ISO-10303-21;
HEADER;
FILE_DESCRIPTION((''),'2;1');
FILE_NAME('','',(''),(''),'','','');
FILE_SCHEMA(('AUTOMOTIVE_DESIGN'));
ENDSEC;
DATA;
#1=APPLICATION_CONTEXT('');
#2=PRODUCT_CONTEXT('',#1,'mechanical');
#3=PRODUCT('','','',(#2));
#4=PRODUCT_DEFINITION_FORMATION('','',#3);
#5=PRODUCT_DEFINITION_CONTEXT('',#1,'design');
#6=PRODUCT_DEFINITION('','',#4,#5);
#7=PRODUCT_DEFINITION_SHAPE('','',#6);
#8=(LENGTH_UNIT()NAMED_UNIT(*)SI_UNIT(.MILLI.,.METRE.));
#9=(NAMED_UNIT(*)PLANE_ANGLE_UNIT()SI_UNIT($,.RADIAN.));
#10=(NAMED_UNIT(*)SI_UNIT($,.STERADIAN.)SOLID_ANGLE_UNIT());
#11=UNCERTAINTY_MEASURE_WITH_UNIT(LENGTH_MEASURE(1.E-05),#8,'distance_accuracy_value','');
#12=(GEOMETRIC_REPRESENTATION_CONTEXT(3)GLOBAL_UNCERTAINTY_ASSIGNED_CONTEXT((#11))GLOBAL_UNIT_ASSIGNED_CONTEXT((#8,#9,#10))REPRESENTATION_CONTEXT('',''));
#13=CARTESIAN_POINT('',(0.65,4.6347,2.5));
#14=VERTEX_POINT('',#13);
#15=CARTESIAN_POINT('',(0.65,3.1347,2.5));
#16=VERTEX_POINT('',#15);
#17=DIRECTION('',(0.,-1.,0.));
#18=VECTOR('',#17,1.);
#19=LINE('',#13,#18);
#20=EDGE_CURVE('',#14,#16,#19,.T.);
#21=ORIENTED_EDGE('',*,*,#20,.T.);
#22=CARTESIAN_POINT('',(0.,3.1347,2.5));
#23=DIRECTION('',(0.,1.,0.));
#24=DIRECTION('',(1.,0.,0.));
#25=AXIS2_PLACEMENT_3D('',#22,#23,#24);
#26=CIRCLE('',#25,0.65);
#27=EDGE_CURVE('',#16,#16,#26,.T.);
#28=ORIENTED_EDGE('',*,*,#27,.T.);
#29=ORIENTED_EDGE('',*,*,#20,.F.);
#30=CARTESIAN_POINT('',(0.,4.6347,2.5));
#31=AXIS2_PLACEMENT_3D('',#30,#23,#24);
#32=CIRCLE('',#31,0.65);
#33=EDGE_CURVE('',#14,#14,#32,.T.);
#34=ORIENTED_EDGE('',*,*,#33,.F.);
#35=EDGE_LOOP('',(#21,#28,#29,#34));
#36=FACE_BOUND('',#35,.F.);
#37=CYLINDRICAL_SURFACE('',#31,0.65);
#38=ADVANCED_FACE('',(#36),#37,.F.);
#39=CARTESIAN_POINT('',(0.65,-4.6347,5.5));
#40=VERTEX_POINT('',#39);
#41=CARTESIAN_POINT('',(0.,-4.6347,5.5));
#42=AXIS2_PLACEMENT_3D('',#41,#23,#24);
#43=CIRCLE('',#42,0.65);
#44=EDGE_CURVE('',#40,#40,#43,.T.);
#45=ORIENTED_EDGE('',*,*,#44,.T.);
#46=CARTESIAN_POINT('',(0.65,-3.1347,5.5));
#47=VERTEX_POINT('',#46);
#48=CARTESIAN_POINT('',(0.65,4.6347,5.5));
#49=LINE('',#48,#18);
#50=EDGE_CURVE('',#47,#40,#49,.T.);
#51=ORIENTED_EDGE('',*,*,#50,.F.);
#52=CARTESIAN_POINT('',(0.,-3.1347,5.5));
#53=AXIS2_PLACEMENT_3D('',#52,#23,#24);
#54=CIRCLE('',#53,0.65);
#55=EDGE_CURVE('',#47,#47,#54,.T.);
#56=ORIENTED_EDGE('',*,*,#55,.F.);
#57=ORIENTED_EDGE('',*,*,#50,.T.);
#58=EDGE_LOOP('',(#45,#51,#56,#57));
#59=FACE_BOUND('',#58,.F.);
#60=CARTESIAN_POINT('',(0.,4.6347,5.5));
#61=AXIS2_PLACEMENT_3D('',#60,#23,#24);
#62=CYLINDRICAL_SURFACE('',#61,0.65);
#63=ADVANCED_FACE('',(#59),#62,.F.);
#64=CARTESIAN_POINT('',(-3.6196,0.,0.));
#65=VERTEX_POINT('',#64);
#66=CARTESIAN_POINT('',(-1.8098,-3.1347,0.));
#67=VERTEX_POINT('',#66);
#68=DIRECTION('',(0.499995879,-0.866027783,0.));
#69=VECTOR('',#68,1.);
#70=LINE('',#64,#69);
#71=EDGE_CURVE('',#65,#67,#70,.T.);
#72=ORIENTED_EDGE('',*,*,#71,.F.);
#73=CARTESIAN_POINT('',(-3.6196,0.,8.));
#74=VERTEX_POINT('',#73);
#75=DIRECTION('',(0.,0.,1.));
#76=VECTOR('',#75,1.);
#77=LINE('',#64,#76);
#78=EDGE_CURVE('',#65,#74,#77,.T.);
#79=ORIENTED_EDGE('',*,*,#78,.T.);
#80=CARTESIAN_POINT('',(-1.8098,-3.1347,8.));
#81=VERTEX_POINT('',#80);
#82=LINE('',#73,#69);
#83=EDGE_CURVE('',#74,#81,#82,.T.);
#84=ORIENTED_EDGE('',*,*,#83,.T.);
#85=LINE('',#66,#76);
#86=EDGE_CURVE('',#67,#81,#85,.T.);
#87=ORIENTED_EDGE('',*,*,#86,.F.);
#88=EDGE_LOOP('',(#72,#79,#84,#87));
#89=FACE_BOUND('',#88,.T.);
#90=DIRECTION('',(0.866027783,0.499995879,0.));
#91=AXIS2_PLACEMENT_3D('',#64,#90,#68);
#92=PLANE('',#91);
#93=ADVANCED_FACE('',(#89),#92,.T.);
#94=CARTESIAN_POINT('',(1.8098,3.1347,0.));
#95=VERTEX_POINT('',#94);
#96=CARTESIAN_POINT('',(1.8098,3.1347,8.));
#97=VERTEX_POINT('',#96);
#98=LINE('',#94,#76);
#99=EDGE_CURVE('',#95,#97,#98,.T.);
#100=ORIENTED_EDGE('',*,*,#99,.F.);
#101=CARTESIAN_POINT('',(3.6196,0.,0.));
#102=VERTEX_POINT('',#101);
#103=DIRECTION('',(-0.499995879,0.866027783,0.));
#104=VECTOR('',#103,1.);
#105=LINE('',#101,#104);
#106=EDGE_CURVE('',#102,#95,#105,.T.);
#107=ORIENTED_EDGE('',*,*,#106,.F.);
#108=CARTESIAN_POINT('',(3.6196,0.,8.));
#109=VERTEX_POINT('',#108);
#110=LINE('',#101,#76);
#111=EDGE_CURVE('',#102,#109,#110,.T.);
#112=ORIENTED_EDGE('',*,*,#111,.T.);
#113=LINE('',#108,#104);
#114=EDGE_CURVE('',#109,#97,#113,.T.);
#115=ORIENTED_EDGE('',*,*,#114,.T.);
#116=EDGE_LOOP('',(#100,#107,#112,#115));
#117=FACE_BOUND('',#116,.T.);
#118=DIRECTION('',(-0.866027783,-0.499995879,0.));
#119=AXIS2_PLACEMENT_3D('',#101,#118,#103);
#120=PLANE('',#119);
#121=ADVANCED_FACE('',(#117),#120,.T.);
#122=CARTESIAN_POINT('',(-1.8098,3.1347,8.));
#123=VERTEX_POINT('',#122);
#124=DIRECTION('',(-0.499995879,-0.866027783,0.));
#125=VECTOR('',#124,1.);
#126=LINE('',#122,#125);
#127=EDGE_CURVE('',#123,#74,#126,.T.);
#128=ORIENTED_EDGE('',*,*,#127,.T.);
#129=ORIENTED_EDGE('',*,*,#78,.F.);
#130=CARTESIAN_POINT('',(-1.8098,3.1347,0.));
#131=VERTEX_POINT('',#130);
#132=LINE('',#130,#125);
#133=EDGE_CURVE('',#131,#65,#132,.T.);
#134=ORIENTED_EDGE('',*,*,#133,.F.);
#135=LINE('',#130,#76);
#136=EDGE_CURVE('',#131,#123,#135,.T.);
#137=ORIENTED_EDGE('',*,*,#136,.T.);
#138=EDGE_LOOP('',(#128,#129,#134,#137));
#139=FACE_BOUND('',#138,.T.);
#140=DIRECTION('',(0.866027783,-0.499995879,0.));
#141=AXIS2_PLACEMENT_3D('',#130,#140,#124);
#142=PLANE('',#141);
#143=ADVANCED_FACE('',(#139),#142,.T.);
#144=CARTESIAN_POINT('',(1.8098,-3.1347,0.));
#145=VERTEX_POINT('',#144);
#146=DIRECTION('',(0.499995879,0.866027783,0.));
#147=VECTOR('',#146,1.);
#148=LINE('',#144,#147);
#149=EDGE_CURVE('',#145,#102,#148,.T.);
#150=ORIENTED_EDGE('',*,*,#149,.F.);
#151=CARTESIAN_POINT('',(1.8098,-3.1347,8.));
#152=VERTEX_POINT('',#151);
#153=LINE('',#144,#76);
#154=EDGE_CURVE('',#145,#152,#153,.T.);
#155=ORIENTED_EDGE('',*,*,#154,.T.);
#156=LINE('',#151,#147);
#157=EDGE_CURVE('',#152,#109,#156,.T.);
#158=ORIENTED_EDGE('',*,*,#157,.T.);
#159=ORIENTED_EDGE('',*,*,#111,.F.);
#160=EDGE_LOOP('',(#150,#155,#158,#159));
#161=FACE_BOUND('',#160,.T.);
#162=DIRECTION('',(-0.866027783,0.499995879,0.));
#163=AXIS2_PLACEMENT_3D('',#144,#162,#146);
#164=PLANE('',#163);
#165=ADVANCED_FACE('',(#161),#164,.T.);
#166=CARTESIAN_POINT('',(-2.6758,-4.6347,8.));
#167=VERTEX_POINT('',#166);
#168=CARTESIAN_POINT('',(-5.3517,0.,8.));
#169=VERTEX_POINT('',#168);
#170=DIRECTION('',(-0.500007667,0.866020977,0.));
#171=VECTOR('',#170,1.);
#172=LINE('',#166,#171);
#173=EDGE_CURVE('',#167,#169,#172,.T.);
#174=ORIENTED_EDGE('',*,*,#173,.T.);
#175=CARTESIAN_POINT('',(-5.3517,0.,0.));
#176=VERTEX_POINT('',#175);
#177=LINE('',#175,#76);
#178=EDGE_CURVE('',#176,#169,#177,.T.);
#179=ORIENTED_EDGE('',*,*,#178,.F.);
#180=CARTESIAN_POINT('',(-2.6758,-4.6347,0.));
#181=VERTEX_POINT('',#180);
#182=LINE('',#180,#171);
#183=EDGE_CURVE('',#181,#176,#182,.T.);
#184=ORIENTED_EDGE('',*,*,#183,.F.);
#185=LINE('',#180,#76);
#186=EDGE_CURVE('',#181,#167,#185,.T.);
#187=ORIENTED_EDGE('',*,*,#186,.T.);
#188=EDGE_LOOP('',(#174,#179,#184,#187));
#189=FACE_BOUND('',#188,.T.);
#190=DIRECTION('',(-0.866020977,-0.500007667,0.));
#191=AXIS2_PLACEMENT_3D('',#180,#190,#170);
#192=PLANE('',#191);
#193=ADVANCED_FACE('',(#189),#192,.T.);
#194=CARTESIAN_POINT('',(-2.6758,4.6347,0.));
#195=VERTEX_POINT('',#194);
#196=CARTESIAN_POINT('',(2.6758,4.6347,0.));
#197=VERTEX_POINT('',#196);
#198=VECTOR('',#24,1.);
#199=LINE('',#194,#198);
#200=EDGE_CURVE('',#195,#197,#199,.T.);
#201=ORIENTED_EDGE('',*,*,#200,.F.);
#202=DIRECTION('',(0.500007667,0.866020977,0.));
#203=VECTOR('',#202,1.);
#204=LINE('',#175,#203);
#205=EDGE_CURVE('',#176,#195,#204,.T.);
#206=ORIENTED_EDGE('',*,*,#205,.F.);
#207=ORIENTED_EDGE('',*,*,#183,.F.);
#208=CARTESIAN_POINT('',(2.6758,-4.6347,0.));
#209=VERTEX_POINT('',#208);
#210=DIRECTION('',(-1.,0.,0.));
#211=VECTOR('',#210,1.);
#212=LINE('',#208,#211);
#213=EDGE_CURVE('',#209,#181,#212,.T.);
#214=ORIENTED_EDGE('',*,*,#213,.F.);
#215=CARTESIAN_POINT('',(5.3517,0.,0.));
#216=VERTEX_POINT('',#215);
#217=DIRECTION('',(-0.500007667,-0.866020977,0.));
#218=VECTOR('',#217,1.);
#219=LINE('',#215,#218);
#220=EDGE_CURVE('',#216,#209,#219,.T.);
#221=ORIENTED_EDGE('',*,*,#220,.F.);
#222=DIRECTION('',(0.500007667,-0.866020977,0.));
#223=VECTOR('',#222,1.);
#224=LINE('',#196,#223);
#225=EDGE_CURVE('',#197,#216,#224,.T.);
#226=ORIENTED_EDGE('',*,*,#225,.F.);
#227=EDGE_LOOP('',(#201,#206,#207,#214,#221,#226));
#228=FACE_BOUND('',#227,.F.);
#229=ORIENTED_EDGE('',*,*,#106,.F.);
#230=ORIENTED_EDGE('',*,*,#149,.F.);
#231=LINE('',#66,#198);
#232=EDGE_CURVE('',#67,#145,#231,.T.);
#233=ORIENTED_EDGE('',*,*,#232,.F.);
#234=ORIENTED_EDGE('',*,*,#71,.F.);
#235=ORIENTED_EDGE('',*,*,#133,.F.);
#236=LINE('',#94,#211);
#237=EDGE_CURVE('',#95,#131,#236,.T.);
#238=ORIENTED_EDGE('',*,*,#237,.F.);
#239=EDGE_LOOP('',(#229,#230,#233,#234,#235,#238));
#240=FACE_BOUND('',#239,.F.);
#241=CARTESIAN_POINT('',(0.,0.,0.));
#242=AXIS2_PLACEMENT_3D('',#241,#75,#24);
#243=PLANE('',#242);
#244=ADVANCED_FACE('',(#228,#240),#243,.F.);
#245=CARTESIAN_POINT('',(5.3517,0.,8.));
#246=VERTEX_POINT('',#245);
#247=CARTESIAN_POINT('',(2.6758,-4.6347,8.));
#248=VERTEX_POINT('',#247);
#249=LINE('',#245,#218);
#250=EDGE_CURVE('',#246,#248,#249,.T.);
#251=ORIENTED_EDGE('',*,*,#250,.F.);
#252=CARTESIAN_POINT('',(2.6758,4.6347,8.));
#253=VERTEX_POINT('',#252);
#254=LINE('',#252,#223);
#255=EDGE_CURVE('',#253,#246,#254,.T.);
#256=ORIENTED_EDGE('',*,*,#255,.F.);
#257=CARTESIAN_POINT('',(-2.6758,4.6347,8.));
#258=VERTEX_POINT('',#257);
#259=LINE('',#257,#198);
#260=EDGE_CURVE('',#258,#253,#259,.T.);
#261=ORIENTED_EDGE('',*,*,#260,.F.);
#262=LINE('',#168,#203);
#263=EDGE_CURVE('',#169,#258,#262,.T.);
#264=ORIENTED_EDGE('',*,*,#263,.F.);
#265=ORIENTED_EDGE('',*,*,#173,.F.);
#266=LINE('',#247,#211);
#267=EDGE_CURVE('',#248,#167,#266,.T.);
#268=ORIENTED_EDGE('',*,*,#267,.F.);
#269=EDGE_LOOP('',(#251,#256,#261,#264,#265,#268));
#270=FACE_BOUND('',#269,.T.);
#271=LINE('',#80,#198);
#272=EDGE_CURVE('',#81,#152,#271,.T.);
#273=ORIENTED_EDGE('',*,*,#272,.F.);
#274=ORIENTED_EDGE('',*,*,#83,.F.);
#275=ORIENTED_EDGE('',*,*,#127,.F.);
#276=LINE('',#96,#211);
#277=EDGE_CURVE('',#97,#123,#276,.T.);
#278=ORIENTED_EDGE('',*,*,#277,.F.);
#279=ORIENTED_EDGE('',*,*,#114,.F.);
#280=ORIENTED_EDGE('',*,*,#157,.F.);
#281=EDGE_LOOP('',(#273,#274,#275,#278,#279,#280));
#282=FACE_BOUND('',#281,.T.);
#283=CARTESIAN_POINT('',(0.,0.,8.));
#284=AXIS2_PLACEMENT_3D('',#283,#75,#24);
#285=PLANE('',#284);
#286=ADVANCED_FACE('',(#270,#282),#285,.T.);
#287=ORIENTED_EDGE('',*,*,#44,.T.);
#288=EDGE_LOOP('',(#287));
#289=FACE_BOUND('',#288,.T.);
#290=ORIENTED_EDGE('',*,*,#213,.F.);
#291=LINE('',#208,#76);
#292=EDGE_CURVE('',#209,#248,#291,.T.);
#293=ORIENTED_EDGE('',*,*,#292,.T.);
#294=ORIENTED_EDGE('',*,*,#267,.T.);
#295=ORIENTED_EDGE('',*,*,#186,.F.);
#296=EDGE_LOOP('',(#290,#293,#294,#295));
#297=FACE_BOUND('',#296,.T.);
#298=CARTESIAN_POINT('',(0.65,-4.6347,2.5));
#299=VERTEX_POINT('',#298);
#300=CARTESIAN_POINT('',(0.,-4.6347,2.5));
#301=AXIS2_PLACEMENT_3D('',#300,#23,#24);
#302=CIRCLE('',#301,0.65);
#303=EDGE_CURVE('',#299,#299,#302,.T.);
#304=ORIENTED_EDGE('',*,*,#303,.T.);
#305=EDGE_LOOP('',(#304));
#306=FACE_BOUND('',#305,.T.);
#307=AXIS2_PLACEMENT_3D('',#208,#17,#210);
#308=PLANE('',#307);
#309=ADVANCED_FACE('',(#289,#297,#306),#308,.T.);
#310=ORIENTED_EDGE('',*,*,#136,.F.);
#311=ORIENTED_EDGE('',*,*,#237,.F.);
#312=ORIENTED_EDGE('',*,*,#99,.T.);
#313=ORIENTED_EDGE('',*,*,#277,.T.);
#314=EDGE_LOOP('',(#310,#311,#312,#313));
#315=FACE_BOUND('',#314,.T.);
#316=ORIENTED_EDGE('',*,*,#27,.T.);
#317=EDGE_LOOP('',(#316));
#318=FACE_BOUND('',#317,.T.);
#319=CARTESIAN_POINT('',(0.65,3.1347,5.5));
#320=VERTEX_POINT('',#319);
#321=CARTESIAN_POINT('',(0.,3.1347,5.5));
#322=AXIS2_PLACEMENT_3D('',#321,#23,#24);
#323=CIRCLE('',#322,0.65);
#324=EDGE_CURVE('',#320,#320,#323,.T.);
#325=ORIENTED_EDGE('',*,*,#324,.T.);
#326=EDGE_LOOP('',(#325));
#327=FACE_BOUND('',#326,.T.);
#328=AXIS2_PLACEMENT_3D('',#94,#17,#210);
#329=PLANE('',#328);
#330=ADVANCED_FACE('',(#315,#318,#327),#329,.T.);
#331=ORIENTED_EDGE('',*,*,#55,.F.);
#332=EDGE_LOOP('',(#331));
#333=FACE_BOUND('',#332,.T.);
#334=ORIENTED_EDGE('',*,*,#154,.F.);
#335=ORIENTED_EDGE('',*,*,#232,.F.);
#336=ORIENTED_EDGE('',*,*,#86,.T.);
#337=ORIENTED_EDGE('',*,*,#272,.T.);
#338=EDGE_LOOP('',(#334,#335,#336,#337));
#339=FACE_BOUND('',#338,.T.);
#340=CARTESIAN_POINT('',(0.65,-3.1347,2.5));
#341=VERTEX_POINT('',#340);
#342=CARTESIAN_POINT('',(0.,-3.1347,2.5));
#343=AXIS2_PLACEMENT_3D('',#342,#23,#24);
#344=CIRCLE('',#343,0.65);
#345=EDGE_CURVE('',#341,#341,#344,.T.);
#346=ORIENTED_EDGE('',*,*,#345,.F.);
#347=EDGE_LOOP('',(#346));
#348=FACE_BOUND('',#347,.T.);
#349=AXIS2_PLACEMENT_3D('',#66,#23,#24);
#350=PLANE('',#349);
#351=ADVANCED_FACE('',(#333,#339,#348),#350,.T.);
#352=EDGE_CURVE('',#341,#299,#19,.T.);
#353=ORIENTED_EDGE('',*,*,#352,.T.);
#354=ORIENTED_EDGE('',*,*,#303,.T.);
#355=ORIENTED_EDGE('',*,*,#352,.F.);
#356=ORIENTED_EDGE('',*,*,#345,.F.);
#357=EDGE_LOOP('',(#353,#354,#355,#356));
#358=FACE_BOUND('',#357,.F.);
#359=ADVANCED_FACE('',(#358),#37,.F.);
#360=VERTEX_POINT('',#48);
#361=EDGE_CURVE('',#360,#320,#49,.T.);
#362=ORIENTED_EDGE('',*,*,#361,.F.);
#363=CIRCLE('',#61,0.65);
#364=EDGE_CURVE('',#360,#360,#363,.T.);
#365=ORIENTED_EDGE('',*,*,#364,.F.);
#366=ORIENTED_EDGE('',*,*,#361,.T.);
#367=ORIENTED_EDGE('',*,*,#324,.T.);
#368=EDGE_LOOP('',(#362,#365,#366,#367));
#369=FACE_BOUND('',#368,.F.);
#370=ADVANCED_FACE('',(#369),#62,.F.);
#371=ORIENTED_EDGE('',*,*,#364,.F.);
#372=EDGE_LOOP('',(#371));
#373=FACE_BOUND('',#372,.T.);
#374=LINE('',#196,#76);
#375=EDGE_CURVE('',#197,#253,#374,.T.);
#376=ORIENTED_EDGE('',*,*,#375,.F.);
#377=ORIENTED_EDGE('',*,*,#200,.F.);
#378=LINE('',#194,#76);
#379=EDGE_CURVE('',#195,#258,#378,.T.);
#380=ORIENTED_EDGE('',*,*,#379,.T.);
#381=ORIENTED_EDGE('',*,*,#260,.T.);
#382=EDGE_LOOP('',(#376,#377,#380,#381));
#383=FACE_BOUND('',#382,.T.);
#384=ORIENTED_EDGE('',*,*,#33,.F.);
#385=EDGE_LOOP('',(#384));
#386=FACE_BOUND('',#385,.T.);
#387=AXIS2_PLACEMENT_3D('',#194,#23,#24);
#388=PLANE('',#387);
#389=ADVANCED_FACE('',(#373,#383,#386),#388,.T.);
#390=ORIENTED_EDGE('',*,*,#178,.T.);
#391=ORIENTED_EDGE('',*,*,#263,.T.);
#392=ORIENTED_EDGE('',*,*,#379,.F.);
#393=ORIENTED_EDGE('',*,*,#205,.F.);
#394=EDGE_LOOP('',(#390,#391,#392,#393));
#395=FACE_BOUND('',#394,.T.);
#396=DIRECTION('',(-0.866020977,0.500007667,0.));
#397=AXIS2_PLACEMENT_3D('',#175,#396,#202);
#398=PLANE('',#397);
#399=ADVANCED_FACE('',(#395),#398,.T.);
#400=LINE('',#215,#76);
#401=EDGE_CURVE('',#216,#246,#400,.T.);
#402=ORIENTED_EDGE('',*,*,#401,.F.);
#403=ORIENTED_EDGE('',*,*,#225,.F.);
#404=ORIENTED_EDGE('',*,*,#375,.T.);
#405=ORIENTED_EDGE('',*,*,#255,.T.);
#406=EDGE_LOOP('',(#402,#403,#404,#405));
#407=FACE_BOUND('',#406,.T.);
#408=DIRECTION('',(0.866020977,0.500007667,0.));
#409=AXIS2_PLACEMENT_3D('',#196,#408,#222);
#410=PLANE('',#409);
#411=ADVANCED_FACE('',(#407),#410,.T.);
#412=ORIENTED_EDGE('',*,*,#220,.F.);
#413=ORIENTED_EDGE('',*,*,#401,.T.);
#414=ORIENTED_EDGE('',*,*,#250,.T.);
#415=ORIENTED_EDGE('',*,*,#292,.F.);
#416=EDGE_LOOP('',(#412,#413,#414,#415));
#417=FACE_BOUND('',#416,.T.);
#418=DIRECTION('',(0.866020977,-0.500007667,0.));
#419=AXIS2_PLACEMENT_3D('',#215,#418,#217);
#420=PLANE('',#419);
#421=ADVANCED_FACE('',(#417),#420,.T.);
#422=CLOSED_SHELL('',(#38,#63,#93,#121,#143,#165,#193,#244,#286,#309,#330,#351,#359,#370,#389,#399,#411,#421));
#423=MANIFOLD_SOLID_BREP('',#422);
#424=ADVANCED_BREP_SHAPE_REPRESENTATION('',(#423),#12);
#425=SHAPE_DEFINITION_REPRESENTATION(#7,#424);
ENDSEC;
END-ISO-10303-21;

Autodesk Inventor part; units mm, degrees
ref_plane "YZ Plane" through (0, 0, 0) normal (1, 0, 0) x (0, 1, 0)
ref_plane "XZ Plane" through (0, 0, 0) normal (0, 1, 0) x (-1, 0, 0)
ref_plane "XY Plane" through (0, 0, 0) normal (0, 0, 1) x (1, 0, 0)
sketch "Sketch4" plane through (0, 0, 0) normal (0, 0, 1) x (1, 0, 0)
  circle A0 centre (0, 0) radius 3.1 construction
  line L0 (0, 0) -> (3.1, 0) construction
  line L1 (0, 0) -> (1.55, 2.6847) construction
  line L2 (0, 0) -> (-1.55, 2.6847) construction
  line L3 (0, 0) -> (-3.1, 0) construction
  line L4 (0, 0) -> (-1.55, -2.6847) construction
  line L5 (0, 0) -> (1.55, -2.6847) construction
  line L6 (-1.55, 2.6847) -> (1.55, 2.6847) construction
  line L7 (1.55, 2.6847) -> (3.1, 0) construction
  line L8 (3.1, 0) -> (1.55, -2.6847) construction
  line L9 (1.55, -2.6847) -> (-1.55, -2.6847) construction
  line L10 (-1.55, -2.6847) -> (-3.1, 0) construction
  line L11 (-3.1, 0) -> (-1.55, 2.6847) construction
  line L12 (3.6196, 0) -> (1.8098, 3.1347)
  line L13 (1.8098, 3.1347) -> (-1.8098, 3.1347)
  line L14 (-1.8098, 3.1347) -> (-3.6196, 0)
  line L15 (-3.6196, 0) -> (-1.8098, -3.1347)
  line L16 (-1.8098, -3.1347) -> (1.8098, -3.1347)
  line L17 (1.8098, -3.1347) -> (3.6196, 0)
  line L18 (2.6758, 4.6347) -> (5.3517, 0)
  line L19 (5.3517, 0) -> (2.6758, -4.6347)
  line L20 (2.6758, -4.6347) -> (-2.6758, -4.6347)
  line L21 (-2.6758, -4.6347) -> (-5.3517, 0)
  line L22 (-5.3517, 0) -> (-2.6758, 4.6347)
  line L23 (-2.6758, 4.6347) -> (2.6758, 4.6347)
  dimension "d8" = 6.2
  dimension "d11" = 360
  dimension "d13" = 0.45
  dimension "d14" = 1.5
extrude "Extrusion3" add sketch "Sketch4" along normal blind 8
sketch "Sketch5" plane through (-2.6758, 4.6347, 0) normal (0, 1, 0) x (1, 0, 0)
  line L0 (5.3517, 0) -> (0, 0) projected
  line L1 (0, 0) -> (0, -8) projected
  line L2 (5.3517, -8) -> (0, -8) projected
  line L3 (5.3517, 0) -> (5.3517, -8) projected
  circle A0 centre (2.6758, -5.5) radius 0.65
  circle A1 centre (2.6758, -2.5) radius 0.65
  line L4 (5.3517, -8) -> (0, -8) projected
  point P0 (2.6758, 0)
  point P1 (2.6758, -8)
  point P2 (2.6758, -8)
  dimension "d17" = 1.3
  dimension "d18" = 2.5
  dimension "d19" = 2.5
extrude "Extrusion4" cut sketch "Sketch5" against normal blind 10 contours A0 | A1
properties part number "hombro_nuevo"
